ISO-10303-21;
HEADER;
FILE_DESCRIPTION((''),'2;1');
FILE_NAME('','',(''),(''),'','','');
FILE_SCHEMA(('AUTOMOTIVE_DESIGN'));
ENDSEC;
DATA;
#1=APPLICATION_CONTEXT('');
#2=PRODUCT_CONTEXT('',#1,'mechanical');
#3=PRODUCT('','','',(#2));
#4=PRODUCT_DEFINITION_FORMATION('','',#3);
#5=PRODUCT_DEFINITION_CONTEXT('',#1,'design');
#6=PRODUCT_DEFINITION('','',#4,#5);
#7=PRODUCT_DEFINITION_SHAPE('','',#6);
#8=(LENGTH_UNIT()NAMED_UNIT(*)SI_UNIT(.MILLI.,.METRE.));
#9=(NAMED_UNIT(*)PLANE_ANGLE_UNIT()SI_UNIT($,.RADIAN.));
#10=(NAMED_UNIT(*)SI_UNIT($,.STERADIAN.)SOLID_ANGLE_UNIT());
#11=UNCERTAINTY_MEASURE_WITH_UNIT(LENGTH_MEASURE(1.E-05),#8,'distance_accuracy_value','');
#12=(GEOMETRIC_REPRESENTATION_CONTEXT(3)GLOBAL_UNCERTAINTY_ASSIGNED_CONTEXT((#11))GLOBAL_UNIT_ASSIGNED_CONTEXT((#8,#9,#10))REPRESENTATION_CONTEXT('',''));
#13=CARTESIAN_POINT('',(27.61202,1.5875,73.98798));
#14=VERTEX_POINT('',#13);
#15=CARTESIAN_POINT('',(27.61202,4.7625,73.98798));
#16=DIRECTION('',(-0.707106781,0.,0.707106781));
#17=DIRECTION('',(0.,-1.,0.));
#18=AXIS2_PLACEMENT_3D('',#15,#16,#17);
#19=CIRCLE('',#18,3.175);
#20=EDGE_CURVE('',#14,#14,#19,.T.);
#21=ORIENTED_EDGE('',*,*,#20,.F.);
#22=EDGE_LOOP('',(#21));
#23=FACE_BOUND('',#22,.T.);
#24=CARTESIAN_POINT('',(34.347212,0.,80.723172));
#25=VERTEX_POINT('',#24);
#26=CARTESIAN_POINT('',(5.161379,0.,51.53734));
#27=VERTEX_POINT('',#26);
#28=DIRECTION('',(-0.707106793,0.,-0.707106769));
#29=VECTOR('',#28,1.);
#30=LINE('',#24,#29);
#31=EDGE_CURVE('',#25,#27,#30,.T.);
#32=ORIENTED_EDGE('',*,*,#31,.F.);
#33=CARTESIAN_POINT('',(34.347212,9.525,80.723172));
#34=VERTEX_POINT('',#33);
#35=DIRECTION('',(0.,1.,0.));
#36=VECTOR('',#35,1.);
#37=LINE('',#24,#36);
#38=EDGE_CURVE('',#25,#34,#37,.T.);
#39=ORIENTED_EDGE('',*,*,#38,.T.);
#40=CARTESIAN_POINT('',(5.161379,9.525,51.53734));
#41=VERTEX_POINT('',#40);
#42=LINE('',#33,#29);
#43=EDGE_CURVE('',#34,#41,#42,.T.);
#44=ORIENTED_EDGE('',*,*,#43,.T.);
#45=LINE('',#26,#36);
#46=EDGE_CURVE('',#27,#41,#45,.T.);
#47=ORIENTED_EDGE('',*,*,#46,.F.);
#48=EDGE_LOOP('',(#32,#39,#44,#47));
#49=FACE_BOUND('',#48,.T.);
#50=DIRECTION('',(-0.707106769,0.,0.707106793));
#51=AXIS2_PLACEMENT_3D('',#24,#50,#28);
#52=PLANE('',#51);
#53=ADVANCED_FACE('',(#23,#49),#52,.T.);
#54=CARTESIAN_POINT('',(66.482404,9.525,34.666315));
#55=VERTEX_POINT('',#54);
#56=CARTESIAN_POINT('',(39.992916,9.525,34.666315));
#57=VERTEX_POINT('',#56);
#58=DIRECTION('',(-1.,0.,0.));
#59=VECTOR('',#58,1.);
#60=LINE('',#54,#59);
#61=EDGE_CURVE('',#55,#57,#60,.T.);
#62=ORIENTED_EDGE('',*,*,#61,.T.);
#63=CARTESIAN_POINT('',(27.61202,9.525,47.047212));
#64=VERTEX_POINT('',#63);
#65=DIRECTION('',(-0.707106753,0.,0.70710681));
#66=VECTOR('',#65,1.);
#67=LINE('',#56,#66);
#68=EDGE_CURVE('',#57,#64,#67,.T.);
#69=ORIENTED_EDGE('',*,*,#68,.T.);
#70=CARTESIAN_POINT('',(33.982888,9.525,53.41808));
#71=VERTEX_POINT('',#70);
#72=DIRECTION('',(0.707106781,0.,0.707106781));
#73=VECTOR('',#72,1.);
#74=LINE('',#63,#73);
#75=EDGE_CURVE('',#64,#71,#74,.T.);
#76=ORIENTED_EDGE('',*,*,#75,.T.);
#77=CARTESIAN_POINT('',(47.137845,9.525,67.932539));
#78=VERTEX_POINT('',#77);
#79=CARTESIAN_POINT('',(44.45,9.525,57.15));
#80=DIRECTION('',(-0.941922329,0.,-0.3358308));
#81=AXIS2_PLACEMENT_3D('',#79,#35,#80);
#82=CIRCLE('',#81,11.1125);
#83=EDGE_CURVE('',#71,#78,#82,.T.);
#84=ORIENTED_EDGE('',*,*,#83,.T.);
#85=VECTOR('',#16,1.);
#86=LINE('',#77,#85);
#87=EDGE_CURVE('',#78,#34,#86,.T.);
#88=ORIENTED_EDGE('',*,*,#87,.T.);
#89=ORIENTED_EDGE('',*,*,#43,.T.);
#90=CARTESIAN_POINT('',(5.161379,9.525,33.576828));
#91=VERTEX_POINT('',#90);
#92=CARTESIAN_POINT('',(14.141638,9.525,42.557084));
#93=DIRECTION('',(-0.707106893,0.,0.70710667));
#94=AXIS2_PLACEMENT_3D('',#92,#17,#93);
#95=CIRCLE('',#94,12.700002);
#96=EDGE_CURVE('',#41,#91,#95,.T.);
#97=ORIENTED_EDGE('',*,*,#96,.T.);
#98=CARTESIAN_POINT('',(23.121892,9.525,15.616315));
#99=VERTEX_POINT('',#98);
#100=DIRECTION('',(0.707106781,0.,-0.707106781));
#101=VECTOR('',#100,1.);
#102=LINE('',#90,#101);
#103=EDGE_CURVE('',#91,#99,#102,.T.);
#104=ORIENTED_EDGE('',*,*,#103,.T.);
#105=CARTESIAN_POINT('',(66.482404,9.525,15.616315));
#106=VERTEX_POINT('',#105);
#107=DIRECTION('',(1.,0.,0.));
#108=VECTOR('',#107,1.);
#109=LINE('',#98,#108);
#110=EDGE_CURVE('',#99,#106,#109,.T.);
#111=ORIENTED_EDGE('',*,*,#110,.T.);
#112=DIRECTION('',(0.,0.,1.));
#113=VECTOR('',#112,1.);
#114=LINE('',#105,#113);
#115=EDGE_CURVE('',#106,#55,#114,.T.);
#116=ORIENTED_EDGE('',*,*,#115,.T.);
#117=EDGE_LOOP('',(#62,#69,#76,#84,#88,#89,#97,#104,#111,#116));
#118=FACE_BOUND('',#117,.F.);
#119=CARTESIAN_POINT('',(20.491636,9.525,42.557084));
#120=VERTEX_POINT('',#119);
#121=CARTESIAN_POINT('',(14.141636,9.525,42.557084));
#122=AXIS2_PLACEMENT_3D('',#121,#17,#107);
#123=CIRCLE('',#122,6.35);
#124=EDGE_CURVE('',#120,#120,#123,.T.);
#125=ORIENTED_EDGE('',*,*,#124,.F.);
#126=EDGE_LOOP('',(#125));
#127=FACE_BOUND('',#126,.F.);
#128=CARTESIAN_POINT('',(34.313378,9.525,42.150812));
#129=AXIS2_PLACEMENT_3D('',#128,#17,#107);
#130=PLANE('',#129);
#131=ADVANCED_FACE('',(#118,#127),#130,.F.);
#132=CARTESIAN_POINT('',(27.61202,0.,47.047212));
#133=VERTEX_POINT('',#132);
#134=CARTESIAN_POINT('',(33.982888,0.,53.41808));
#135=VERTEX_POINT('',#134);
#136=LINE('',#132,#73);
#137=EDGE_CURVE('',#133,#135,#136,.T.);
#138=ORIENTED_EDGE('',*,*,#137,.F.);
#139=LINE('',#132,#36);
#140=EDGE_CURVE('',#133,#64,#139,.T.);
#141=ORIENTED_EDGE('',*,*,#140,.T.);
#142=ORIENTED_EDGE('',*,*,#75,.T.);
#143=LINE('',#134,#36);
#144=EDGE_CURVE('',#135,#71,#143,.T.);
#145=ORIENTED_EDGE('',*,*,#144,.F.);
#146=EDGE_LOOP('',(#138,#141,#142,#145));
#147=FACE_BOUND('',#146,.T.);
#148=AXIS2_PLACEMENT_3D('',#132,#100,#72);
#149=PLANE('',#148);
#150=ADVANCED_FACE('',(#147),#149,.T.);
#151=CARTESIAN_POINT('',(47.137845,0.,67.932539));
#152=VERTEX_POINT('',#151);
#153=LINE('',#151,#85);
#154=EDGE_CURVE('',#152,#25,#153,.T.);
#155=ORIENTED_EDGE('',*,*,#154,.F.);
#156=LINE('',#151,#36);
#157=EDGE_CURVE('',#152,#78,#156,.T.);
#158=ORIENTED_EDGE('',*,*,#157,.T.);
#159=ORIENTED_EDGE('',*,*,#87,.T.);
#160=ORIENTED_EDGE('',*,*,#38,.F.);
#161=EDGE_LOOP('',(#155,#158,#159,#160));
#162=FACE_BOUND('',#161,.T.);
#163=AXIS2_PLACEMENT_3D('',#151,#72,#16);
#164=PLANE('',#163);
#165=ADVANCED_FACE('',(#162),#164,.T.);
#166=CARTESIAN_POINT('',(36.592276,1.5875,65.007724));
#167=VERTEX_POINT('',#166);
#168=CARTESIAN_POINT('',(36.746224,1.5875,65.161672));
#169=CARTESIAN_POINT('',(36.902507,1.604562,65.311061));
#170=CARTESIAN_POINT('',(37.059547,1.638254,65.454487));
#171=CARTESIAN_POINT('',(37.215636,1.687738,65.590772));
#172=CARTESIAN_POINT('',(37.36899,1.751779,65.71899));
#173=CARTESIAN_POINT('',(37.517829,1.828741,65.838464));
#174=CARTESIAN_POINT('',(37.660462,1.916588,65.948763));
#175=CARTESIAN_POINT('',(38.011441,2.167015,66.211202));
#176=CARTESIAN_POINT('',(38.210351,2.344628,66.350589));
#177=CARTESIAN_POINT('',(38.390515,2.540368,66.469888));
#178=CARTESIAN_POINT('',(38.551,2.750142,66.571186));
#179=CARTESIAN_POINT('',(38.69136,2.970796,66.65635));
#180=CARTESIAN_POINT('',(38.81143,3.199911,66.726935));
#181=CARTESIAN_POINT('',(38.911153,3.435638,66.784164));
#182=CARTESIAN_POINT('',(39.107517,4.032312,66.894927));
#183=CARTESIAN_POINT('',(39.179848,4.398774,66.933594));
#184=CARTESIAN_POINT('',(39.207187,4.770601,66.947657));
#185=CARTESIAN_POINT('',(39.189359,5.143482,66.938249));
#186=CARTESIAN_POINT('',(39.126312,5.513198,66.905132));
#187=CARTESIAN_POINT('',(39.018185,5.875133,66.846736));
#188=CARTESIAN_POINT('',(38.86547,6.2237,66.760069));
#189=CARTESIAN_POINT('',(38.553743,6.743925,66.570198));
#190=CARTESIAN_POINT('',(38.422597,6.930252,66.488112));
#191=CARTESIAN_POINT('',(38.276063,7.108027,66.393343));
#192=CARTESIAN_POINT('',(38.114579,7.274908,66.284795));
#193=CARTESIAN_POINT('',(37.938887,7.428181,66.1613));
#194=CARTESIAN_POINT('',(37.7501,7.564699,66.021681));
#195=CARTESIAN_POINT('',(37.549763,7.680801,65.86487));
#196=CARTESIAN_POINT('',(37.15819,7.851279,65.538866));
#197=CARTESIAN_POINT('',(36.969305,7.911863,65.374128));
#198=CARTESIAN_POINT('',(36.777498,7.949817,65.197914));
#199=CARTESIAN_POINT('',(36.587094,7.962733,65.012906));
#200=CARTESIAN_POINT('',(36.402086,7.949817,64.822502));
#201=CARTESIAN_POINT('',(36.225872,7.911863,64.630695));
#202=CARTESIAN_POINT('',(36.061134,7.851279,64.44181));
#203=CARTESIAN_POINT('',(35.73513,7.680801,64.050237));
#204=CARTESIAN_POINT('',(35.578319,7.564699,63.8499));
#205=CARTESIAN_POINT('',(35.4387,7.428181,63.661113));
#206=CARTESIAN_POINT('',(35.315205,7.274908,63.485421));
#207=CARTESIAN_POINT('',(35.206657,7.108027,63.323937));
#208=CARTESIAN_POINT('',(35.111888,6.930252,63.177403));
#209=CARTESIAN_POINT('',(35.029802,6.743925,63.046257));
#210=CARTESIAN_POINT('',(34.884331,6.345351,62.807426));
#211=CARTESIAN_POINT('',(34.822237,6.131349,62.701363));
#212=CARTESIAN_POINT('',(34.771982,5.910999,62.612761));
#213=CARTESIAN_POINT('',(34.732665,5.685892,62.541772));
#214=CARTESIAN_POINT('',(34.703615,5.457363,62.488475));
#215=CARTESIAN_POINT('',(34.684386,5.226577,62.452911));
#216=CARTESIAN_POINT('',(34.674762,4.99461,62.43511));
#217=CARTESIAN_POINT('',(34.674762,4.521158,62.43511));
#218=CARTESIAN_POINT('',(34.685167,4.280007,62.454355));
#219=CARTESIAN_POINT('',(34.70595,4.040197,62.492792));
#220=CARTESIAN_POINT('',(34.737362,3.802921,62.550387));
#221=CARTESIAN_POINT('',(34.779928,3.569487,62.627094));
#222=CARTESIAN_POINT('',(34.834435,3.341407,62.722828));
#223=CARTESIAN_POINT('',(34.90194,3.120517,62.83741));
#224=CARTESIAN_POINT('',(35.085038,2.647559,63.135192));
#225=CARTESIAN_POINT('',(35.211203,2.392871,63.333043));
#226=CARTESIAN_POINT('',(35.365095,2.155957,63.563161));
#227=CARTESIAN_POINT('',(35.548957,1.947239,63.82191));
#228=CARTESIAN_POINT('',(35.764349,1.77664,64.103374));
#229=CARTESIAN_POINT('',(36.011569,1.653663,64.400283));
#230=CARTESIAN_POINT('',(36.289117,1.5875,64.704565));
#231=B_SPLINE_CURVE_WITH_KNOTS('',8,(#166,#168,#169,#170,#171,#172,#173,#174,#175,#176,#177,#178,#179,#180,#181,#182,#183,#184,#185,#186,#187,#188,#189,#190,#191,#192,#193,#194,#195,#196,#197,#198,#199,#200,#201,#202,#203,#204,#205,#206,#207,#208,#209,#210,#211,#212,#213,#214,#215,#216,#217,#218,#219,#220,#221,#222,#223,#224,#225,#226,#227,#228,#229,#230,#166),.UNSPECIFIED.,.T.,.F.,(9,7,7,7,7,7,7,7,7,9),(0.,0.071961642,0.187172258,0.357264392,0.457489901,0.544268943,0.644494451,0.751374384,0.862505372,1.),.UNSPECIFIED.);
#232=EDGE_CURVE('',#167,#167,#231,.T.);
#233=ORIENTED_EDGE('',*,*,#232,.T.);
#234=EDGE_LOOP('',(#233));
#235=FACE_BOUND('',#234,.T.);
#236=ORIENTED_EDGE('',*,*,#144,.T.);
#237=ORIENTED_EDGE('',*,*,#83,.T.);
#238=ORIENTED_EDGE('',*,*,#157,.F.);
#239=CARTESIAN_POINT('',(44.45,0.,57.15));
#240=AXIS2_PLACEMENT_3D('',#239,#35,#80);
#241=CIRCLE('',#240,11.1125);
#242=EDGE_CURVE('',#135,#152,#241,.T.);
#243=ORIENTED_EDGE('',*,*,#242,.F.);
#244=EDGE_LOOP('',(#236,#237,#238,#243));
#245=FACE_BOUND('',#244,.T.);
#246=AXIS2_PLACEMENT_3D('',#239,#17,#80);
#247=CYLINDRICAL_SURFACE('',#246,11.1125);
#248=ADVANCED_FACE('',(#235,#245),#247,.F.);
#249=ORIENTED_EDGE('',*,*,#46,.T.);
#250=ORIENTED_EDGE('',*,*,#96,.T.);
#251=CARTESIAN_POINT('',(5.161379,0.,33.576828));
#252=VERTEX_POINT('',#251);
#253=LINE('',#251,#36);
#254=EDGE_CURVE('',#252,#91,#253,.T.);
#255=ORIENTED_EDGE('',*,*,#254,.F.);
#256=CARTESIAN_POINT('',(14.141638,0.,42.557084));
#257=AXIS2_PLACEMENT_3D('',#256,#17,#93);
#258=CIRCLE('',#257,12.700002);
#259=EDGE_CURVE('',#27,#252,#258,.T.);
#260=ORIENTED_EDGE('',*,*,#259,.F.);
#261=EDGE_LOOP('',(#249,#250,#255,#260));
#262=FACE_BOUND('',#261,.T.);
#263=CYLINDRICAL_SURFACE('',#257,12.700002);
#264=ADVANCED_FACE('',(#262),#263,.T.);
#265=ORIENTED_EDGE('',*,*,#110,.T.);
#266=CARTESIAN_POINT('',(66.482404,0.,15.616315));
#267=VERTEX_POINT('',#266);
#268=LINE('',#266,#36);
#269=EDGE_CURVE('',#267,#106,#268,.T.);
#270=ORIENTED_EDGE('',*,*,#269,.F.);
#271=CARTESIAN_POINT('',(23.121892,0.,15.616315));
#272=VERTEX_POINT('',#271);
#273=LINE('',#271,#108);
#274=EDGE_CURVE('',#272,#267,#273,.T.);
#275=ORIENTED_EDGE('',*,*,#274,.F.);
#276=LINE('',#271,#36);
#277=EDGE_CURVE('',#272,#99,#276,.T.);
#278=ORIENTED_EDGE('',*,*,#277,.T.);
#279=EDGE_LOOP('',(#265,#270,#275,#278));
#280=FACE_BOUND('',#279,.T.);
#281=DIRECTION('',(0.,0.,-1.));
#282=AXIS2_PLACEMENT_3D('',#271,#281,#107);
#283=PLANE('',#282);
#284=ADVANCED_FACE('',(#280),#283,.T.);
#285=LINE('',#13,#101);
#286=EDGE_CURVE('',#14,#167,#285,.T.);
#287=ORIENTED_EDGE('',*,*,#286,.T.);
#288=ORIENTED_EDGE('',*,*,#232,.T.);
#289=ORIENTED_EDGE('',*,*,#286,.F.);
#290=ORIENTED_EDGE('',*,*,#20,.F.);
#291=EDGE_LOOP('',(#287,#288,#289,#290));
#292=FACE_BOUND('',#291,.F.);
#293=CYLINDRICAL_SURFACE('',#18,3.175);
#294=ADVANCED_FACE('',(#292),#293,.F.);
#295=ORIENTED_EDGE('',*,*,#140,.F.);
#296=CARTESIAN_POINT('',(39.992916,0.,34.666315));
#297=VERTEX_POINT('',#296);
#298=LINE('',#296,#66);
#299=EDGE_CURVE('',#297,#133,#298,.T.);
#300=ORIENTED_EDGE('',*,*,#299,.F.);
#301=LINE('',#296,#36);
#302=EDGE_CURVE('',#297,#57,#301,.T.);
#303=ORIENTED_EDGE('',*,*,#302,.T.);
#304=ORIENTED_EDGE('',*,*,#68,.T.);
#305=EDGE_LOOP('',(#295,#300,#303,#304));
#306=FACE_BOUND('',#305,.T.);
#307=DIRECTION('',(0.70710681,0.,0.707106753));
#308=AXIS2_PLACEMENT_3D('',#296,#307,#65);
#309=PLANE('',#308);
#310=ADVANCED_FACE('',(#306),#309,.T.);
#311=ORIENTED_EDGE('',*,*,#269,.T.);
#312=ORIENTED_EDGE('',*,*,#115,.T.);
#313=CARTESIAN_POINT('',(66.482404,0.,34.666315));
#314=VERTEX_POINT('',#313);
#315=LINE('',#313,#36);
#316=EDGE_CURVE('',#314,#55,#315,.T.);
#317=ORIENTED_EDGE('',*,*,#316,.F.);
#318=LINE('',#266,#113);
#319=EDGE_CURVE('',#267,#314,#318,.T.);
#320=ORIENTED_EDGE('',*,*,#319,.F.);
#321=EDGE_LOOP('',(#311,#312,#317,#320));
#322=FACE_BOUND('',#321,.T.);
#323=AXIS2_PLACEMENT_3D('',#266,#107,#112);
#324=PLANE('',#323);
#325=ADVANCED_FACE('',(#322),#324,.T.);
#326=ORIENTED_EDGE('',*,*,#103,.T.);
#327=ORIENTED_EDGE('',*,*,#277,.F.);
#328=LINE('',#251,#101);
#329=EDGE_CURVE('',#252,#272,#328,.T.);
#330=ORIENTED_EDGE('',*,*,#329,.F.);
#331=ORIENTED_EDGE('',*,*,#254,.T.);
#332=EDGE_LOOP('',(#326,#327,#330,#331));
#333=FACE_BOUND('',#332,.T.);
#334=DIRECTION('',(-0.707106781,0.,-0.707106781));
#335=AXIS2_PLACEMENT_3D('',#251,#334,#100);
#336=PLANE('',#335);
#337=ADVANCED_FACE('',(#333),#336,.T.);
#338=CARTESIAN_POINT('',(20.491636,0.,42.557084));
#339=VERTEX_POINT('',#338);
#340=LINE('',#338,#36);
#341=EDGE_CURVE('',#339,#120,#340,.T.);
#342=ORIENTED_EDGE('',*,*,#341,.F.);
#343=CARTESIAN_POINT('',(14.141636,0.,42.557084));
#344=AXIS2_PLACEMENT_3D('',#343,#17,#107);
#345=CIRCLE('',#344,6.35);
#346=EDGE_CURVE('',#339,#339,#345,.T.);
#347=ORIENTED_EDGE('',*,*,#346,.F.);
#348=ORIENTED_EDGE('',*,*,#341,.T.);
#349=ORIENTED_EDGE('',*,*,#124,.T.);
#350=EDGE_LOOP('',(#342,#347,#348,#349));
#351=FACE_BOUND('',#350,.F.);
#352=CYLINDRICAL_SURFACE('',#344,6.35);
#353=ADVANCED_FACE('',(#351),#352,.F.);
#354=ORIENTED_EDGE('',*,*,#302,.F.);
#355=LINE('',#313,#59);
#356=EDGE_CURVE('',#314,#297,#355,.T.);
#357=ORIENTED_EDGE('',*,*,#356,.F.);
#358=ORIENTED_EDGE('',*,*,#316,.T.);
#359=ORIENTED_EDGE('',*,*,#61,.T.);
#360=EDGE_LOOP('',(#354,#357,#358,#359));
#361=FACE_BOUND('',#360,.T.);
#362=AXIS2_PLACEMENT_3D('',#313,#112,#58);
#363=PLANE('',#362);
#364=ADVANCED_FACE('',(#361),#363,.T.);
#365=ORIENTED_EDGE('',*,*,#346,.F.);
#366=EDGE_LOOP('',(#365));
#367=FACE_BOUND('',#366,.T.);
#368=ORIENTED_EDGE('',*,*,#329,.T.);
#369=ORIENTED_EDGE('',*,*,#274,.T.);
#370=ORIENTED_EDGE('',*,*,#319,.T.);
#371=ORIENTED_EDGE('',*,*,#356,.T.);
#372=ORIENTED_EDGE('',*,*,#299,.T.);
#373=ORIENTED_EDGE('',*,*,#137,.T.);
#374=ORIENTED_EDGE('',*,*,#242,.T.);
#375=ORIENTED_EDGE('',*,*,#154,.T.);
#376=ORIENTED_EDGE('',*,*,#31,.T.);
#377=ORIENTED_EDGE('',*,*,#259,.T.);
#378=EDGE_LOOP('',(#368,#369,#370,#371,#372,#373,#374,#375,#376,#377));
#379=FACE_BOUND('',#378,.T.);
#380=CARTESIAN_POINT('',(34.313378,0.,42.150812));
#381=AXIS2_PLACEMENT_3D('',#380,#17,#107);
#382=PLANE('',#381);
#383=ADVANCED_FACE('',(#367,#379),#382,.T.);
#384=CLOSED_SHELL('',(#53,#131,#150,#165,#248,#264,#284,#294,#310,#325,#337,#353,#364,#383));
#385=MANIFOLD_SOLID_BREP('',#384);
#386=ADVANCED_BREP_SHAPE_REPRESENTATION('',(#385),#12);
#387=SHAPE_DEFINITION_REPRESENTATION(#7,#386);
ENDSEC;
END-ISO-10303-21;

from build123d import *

# Parameters (mm, degrees)
F0_R     = 6.35
F1_DEPTH = 9.525
F2_R     = 3.175
F3_DEPTH = 25.4


with BuildPart() as f1:
    # F0 (on Front) → F1 (new body)
    with BuildSketch(Plane.XZ):
        with BuildLine():
            ThreePointArc((33.982888, 53.41808), (36.216129, 64.612642), (47.137845, 67.932539))
            Line((47.137845, 67.932539), (34.347212, 80.723172))
            Line((34.347212, 80.723172), (5.161379, 51.53734))
            ThreePointArc((5.161379, 51.53734), (1.441636, 42.557084), (5.161379, 33.576828))
            Line((5.161379, 33.576828), (23.121892, 15.616315))
            Line((23.121892, 15.616315), (66.482404, 15.616315))
            Line((66.482404, 15.616315), (66.482404, 34.666315))
            Line((66.482404, 34.666315), (39.992916, 34.666315))
            Line((39.992916, 34.666315), (27.61202, 47.047212))
            Line((27.61202, 47.047212), (33.982888, 53.41808))
        make_face()
        with Locations((14.141636, 42.557084)):
            Circle(F0_R, mode=Mode.SUBTRACT)
    extrude(amount=-F1_DEPTH)

    # F2 (on face) → F3 (cut)
    with BuildSketch(Plane(origin=(-23.18798, 0, 23.18798), x_dir=(0, -1, 0), z_dir=(-0.707107, 0, 0.707107))):
        with Locations((-4.7625, 71.842049)):
            Circle(F2_R)
    extrude(amount=-F3_DEPTH, mode=Mode.SUBTRACT)


solid = f1.part
